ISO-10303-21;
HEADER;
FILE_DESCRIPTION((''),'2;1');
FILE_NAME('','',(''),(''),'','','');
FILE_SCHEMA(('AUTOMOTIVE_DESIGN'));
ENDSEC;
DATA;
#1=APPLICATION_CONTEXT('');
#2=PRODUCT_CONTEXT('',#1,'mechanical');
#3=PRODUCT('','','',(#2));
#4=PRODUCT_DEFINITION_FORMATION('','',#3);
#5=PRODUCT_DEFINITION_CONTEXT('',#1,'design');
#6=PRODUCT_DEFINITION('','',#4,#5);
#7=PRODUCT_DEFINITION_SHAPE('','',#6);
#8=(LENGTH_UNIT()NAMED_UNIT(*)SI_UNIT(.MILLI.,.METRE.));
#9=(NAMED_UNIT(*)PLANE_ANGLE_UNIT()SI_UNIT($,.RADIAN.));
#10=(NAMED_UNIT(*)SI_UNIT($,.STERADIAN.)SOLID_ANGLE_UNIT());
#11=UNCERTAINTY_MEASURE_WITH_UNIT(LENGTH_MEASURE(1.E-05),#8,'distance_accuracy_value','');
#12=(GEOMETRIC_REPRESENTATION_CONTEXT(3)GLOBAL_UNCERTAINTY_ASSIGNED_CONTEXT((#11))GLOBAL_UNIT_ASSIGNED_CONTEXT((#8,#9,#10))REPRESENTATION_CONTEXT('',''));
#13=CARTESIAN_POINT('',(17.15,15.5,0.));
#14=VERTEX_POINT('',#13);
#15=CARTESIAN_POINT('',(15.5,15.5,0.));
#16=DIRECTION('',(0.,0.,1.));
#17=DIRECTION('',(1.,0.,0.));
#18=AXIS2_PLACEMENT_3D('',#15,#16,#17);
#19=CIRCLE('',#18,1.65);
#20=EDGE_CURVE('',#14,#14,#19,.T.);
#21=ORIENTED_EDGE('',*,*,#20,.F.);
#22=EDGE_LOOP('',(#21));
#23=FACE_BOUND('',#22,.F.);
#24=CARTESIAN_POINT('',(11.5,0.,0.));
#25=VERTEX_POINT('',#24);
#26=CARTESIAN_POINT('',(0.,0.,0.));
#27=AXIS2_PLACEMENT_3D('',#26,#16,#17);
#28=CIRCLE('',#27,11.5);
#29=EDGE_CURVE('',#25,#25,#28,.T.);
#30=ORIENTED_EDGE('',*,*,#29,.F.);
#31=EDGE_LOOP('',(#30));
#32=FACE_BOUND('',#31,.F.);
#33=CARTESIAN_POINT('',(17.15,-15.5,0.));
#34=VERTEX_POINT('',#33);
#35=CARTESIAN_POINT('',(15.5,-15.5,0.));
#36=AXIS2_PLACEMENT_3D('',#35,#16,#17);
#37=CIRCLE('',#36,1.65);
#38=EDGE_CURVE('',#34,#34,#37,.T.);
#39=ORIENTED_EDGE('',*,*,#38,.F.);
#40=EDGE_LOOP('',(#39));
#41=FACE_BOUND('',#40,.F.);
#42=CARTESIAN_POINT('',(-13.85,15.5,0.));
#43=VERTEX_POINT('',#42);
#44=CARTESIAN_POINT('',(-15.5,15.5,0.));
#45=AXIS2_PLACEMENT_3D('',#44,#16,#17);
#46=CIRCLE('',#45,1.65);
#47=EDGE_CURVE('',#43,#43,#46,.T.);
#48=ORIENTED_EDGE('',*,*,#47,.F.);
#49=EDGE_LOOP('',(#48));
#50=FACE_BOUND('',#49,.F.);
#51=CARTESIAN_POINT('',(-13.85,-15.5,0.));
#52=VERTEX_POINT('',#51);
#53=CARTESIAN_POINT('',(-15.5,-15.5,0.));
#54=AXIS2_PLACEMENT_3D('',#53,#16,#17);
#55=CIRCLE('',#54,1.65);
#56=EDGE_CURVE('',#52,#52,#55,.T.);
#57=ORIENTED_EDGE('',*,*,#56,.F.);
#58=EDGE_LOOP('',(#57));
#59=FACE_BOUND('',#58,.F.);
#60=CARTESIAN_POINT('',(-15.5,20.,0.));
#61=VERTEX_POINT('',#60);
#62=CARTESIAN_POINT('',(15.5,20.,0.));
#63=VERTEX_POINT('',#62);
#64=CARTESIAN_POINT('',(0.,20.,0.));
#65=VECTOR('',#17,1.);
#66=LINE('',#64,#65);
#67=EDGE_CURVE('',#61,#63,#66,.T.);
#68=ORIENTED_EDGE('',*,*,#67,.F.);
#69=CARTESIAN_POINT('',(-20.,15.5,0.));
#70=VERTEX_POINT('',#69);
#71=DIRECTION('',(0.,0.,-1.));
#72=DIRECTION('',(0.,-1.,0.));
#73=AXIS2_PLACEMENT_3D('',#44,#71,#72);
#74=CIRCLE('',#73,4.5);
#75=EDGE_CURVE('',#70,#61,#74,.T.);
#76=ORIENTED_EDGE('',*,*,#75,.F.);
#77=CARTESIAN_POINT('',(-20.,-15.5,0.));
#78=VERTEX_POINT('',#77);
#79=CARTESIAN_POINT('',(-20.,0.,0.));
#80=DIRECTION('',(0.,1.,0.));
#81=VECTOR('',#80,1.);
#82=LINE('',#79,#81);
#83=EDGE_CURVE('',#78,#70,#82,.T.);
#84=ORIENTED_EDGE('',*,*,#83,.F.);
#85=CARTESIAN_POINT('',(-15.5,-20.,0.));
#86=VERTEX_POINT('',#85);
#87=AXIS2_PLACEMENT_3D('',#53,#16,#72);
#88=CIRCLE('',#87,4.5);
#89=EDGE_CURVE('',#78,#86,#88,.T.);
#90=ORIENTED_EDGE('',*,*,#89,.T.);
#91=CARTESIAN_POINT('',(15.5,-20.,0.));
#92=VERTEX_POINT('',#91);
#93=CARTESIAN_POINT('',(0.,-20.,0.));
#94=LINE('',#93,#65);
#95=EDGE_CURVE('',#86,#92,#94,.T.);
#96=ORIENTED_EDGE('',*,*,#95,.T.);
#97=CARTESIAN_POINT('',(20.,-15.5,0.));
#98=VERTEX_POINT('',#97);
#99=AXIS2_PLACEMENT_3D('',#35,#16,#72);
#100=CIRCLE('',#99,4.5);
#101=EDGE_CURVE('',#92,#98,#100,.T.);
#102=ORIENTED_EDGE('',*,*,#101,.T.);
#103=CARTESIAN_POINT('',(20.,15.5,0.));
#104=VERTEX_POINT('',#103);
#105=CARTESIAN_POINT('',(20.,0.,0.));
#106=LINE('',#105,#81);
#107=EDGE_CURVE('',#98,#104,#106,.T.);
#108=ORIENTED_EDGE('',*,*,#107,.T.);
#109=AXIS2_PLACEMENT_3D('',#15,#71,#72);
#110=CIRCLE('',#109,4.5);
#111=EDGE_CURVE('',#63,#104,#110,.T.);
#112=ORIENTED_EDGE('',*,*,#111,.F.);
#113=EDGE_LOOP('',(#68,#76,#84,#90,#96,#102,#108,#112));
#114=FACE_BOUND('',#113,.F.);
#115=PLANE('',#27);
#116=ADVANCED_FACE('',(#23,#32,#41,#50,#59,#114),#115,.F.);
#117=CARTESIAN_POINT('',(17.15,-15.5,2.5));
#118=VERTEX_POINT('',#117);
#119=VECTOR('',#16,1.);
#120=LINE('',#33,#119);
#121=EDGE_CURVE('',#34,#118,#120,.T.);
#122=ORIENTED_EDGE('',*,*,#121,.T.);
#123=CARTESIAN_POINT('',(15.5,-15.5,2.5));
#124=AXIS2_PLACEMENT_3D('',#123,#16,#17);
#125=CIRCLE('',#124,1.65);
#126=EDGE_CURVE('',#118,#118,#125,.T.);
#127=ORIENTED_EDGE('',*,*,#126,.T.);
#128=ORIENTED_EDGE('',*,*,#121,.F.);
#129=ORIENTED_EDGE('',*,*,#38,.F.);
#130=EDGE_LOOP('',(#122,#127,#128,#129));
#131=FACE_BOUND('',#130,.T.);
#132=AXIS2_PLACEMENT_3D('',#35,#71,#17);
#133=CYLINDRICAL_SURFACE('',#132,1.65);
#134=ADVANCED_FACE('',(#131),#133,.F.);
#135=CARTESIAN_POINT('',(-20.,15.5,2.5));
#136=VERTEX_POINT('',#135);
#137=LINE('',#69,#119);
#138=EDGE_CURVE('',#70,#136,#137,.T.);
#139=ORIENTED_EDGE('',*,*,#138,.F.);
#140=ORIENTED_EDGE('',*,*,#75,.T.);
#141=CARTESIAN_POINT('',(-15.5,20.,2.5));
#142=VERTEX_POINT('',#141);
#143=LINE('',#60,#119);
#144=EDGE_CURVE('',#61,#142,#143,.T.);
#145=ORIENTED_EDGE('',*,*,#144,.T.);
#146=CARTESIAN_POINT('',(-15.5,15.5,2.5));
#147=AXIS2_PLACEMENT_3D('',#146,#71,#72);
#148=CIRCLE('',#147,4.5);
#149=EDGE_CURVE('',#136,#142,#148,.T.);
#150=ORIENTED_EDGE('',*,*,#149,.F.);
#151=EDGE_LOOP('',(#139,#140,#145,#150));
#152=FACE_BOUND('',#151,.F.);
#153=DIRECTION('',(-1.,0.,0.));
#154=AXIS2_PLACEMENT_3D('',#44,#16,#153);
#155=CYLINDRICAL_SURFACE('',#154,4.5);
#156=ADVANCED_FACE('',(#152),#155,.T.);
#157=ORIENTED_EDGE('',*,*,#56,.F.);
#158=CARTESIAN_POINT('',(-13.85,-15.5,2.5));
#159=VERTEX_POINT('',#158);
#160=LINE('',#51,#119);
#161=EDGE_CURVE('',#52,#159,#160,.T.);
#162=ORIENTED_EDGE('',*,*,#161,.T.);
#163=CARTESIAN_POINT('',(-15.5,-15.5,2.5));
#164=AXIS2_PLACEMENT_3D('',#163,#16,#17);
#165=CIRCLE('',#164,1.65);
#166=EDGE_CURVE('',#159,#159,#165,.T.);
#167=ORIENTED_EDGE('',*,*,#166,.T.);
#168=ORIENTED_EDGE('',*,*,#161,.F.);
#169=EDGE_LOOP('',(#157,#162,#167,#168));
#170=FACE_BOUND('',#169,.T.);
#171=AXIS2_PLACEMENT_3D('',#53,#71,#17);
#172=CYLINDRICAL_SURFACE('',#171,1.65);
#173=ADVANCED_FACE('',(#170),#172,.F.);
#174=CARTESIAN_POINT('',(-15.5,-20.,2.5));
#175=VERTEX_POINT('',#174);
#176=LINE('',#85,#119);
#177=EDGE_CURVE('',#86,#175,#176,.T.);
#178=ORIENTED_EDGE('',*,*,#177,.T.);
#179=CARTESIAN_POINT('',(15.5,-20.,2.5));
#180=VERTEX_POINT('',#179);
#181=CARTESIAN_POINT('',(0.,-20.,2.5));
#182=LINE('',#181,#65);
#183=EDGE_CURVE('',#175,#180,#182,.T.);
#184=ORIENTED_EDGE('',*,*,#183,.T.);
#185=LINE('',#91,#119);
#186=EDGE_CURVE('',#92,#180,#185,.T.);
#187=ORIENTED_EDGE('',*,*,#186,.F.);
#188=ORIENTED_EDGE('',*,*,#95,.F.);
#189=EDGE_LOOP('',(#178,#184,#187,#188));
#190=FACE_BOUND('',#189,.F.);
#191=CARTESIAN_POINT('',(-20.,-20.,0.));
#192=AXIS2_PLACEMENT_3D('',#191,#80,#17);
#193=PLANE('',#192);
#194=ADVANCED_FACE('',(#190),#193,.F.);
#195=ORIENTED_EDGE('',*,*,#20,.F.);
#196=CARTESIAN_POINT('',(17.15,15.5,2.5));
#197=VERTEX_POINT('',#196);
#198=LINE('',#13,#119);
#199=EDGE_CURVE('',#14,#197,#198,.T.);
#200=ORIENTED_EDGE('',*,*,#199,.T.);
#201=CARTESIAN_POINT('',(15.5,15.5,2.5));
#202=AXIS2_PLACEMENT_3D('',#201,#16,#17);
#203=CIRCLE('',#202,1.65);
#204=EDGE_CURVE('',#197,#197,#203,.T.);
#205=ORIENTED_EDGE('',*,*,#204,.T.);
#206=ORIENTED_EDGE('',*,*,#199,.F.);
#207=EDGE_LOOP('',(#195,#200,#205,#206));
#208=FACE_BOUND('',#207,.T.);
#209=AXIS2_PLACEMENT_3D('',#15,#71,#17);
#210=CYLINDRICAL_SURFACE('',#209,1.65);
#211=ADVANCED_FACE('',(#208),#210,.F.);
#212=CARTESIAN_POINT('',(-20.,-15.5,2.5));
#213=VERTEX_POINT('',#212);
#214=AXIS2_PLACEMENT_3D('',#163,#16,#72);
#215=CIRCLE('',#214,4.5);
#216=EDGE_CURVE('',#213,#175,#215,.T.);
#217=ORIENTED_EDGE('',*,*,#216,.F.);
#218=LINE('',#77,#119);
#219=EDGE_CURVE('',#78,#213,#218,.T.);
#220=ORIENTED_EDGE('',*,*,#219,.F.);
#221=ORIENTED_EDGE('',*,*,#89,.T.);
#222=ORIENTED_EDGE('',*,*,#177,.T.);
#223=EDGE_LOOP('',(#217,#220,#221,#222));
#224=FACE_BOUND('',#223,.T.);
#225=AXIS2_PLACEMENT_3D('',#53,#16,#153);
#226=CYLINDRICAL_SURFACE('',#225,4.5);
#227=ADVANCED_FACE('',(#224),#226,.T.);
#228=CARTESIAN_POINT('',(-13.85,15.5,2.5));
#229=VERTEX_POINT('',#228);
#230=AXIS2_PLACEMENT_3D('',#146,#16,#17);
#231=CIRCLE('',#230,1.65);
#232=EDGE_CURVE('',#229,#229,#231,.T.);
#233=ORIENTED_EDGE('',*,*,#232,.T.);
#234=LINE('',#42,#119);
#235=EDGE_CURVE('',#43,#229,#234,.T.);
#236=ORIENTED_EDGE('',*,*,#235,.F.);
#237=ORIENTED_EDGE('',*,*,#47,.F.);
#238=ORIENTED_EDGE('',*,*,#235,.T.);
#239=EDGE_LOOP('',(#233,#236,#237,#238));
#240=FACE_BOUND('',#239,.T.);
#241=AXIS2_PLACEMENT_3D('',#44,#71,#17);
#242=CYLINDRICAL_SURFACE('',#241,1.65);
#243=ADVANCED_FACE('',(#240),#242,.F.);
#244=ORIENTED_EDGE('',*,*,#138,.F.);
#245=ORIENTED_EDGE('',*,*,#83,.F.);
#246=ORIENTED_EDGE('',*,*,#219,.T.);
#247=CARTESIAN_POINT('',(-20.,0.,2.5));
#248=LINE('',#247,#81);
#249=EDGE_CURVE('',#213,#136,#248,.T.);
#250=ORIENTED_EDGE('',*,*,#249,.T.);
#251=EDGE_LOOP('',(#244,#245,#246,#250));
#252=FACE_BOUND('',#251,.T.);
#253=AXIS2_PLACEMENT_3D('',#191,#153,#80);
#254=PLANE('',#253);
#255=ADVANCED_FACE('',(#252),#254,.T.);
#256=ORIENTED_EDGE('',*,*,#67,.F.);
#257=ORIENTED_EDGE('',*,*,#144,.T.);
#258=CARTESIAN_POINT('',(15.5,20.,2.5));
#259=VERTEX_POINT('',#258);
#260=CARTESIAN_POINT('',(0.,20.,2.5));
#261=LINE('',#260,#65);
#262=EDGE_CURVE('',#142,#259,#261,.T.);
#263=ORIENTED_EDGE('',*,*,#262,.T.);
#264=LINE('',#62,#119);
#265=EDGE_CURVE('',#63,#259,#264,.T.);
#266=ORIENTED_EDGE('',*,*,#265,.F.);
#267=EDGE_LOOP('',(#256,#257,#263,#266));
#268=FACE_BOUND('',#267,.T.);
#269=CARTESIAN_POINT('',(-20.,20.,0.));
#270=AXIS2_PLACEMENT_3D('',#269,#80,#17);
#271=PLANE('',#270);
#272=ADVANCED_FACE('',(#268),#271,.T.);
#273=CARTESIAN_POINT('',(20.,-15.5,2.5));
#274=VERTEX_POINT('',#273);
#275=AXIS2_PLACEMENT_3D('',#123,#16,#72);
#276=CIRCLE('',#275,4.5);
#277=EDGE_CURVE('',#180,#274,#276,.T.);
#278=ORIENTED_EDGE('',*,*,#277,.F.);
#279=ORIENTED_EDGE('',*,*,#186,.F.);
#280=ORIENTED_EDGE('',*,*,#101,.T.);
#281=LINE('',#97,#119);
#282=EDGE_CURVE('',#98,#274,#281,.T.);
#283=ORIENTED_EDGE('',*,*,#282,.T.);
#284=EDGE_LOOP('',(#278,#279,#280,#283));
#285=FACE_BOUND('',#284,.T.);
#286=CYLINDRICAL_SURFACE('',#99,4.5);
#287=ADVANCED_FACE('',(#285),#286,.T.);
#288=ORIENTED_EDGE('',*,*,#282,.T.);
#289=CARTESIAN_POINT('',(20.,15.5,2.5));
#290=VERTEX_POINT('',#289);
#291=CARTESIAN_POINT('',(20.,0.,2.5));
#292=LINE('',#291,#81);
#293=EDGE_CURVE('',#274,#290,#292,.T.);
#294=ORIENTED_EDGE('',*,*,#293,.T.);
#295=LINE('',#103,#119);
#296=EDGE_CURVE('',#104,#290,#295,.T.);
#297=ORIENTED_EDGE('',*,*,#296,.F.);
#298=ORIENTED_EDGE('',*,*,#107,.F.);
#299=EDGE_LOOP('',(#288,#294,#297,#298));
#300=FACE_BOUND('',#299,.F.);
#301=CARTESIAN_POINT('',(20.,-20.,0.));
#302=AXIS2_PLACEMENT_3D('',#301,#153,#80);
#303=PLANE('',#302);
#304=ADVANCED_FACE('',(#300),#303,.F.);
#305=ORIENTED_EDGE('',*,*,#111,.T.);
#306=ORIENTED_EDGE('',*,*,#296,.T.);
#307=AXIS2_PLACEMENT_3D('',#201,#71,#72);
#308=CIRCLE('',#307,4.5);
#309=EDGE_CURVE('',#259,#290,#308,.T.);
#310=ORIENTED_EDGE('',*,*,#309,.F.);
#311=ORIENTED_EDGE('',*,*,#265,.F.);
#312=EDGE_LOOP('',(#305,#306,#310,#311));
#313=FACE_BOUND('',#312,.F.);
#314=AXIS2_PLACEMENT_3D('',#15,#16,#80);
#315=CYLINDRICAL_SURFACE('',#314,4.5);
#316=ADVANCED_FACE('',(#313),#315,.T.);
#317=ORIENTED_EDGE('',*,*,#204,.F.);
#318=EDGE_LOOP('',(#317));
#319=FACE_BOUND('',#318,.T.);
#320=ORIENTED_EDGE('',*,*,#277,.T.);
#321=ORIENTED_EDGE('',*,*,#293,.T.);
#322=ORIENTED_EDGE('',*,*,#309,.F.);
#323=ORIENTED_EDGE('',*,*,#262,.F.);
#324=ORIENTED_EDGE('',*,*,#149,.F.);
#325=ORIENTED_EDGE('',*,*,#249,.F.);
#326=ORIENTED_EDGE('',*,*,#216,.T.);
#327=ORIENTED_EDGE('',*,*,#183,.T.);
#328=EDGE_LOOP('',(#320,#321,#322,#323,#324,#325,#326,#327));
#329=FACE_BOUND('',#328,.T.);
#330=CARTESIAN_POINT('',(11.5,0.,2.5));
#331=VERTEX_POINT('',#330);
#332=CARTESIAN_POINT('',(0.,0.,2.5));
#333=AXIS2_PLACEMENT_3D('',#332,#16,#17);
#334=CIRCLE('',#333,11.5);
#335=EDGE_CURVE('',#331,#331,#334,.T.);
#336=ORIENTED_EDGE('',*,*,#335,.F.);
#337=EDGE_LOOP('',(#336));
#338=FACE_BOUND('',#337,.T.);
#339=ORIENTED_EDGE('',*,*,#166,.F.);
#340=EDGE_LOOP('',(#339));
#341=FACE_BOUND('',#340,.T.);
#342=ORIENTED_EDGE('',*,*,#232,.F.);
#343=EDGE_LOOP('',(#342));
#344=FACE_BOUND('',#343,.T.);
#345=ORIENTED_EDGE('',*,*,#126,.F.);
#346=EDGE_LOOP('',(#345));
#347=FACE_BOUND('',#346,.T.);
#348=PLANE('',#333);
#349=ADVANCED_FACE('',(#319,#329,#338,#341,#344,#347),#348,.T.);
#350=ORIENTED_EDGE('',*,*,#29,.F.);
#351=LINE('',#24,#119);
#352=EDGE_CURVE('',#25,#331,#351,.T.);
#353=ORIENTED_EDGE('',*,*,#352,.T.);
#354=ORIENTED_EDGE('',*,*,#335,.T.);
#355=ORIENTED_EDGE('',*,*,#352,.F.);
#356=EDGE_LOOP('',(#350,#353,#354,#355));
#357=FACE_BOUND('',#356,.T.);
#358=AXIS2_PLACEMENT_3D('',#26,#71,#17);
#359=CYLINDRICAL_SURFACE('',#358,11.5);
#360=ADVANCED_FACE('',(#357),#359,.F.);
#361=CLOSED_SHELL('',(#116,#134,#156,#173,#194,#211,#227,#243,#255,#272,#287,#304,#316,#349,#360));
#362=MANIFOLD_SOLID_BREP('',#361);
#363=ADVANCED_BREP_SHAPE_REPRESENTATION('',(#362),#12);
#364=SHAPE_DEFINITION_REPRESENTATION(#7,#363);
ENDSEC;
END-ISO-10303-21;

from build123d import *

# Parameters (mm, degrees)
SKETCH_W   = 40
SKETCH_H   = 40
SKETCH_R   = 1.65
SKETCH_R_2 = 11.5
PAD_DEPTH  = 2.5
FILLET_R   = 4.5


with BuildPart() as part:
    # Sketch → Pad (new body)
    with BuildSketch(Plane.XY):
        Rectangle(SKETCH_W, SKETCH_H)
        with Locations((-15.5, 15.5)):
            Circle(SKETCH_R, mode=Mode.SUBTRACT)
        with Locations((15.5, 15.5)):
            Circle(SKETCH_R, mode=Mode.SUBTRACT)
        with Locations((15.5, -15.5)):
            Circle(SKETCH_R, mode=Mode.SUBTRACT)
        with Locations((-15.5, -15.5)):
            Circle(SKETCH_R, mode=Mode.SUBTRACT)
        Circle(SKETCH_R_2, mode=Mode.SUBTRACT)
    extrude(amount=PAD_DEPTH)

    # Fillet
    fillet_edges = [part.edges().sort_by_distance(p)[0] for p in [
        (-20, -20, 1.25),
        (-20, 20, 1.25),
        (20, 20, 1.25),
        (20, -20, 1.25),
    ]]
    fillet(fillet_edges, radius=FILLET_R)


solid = part.part
